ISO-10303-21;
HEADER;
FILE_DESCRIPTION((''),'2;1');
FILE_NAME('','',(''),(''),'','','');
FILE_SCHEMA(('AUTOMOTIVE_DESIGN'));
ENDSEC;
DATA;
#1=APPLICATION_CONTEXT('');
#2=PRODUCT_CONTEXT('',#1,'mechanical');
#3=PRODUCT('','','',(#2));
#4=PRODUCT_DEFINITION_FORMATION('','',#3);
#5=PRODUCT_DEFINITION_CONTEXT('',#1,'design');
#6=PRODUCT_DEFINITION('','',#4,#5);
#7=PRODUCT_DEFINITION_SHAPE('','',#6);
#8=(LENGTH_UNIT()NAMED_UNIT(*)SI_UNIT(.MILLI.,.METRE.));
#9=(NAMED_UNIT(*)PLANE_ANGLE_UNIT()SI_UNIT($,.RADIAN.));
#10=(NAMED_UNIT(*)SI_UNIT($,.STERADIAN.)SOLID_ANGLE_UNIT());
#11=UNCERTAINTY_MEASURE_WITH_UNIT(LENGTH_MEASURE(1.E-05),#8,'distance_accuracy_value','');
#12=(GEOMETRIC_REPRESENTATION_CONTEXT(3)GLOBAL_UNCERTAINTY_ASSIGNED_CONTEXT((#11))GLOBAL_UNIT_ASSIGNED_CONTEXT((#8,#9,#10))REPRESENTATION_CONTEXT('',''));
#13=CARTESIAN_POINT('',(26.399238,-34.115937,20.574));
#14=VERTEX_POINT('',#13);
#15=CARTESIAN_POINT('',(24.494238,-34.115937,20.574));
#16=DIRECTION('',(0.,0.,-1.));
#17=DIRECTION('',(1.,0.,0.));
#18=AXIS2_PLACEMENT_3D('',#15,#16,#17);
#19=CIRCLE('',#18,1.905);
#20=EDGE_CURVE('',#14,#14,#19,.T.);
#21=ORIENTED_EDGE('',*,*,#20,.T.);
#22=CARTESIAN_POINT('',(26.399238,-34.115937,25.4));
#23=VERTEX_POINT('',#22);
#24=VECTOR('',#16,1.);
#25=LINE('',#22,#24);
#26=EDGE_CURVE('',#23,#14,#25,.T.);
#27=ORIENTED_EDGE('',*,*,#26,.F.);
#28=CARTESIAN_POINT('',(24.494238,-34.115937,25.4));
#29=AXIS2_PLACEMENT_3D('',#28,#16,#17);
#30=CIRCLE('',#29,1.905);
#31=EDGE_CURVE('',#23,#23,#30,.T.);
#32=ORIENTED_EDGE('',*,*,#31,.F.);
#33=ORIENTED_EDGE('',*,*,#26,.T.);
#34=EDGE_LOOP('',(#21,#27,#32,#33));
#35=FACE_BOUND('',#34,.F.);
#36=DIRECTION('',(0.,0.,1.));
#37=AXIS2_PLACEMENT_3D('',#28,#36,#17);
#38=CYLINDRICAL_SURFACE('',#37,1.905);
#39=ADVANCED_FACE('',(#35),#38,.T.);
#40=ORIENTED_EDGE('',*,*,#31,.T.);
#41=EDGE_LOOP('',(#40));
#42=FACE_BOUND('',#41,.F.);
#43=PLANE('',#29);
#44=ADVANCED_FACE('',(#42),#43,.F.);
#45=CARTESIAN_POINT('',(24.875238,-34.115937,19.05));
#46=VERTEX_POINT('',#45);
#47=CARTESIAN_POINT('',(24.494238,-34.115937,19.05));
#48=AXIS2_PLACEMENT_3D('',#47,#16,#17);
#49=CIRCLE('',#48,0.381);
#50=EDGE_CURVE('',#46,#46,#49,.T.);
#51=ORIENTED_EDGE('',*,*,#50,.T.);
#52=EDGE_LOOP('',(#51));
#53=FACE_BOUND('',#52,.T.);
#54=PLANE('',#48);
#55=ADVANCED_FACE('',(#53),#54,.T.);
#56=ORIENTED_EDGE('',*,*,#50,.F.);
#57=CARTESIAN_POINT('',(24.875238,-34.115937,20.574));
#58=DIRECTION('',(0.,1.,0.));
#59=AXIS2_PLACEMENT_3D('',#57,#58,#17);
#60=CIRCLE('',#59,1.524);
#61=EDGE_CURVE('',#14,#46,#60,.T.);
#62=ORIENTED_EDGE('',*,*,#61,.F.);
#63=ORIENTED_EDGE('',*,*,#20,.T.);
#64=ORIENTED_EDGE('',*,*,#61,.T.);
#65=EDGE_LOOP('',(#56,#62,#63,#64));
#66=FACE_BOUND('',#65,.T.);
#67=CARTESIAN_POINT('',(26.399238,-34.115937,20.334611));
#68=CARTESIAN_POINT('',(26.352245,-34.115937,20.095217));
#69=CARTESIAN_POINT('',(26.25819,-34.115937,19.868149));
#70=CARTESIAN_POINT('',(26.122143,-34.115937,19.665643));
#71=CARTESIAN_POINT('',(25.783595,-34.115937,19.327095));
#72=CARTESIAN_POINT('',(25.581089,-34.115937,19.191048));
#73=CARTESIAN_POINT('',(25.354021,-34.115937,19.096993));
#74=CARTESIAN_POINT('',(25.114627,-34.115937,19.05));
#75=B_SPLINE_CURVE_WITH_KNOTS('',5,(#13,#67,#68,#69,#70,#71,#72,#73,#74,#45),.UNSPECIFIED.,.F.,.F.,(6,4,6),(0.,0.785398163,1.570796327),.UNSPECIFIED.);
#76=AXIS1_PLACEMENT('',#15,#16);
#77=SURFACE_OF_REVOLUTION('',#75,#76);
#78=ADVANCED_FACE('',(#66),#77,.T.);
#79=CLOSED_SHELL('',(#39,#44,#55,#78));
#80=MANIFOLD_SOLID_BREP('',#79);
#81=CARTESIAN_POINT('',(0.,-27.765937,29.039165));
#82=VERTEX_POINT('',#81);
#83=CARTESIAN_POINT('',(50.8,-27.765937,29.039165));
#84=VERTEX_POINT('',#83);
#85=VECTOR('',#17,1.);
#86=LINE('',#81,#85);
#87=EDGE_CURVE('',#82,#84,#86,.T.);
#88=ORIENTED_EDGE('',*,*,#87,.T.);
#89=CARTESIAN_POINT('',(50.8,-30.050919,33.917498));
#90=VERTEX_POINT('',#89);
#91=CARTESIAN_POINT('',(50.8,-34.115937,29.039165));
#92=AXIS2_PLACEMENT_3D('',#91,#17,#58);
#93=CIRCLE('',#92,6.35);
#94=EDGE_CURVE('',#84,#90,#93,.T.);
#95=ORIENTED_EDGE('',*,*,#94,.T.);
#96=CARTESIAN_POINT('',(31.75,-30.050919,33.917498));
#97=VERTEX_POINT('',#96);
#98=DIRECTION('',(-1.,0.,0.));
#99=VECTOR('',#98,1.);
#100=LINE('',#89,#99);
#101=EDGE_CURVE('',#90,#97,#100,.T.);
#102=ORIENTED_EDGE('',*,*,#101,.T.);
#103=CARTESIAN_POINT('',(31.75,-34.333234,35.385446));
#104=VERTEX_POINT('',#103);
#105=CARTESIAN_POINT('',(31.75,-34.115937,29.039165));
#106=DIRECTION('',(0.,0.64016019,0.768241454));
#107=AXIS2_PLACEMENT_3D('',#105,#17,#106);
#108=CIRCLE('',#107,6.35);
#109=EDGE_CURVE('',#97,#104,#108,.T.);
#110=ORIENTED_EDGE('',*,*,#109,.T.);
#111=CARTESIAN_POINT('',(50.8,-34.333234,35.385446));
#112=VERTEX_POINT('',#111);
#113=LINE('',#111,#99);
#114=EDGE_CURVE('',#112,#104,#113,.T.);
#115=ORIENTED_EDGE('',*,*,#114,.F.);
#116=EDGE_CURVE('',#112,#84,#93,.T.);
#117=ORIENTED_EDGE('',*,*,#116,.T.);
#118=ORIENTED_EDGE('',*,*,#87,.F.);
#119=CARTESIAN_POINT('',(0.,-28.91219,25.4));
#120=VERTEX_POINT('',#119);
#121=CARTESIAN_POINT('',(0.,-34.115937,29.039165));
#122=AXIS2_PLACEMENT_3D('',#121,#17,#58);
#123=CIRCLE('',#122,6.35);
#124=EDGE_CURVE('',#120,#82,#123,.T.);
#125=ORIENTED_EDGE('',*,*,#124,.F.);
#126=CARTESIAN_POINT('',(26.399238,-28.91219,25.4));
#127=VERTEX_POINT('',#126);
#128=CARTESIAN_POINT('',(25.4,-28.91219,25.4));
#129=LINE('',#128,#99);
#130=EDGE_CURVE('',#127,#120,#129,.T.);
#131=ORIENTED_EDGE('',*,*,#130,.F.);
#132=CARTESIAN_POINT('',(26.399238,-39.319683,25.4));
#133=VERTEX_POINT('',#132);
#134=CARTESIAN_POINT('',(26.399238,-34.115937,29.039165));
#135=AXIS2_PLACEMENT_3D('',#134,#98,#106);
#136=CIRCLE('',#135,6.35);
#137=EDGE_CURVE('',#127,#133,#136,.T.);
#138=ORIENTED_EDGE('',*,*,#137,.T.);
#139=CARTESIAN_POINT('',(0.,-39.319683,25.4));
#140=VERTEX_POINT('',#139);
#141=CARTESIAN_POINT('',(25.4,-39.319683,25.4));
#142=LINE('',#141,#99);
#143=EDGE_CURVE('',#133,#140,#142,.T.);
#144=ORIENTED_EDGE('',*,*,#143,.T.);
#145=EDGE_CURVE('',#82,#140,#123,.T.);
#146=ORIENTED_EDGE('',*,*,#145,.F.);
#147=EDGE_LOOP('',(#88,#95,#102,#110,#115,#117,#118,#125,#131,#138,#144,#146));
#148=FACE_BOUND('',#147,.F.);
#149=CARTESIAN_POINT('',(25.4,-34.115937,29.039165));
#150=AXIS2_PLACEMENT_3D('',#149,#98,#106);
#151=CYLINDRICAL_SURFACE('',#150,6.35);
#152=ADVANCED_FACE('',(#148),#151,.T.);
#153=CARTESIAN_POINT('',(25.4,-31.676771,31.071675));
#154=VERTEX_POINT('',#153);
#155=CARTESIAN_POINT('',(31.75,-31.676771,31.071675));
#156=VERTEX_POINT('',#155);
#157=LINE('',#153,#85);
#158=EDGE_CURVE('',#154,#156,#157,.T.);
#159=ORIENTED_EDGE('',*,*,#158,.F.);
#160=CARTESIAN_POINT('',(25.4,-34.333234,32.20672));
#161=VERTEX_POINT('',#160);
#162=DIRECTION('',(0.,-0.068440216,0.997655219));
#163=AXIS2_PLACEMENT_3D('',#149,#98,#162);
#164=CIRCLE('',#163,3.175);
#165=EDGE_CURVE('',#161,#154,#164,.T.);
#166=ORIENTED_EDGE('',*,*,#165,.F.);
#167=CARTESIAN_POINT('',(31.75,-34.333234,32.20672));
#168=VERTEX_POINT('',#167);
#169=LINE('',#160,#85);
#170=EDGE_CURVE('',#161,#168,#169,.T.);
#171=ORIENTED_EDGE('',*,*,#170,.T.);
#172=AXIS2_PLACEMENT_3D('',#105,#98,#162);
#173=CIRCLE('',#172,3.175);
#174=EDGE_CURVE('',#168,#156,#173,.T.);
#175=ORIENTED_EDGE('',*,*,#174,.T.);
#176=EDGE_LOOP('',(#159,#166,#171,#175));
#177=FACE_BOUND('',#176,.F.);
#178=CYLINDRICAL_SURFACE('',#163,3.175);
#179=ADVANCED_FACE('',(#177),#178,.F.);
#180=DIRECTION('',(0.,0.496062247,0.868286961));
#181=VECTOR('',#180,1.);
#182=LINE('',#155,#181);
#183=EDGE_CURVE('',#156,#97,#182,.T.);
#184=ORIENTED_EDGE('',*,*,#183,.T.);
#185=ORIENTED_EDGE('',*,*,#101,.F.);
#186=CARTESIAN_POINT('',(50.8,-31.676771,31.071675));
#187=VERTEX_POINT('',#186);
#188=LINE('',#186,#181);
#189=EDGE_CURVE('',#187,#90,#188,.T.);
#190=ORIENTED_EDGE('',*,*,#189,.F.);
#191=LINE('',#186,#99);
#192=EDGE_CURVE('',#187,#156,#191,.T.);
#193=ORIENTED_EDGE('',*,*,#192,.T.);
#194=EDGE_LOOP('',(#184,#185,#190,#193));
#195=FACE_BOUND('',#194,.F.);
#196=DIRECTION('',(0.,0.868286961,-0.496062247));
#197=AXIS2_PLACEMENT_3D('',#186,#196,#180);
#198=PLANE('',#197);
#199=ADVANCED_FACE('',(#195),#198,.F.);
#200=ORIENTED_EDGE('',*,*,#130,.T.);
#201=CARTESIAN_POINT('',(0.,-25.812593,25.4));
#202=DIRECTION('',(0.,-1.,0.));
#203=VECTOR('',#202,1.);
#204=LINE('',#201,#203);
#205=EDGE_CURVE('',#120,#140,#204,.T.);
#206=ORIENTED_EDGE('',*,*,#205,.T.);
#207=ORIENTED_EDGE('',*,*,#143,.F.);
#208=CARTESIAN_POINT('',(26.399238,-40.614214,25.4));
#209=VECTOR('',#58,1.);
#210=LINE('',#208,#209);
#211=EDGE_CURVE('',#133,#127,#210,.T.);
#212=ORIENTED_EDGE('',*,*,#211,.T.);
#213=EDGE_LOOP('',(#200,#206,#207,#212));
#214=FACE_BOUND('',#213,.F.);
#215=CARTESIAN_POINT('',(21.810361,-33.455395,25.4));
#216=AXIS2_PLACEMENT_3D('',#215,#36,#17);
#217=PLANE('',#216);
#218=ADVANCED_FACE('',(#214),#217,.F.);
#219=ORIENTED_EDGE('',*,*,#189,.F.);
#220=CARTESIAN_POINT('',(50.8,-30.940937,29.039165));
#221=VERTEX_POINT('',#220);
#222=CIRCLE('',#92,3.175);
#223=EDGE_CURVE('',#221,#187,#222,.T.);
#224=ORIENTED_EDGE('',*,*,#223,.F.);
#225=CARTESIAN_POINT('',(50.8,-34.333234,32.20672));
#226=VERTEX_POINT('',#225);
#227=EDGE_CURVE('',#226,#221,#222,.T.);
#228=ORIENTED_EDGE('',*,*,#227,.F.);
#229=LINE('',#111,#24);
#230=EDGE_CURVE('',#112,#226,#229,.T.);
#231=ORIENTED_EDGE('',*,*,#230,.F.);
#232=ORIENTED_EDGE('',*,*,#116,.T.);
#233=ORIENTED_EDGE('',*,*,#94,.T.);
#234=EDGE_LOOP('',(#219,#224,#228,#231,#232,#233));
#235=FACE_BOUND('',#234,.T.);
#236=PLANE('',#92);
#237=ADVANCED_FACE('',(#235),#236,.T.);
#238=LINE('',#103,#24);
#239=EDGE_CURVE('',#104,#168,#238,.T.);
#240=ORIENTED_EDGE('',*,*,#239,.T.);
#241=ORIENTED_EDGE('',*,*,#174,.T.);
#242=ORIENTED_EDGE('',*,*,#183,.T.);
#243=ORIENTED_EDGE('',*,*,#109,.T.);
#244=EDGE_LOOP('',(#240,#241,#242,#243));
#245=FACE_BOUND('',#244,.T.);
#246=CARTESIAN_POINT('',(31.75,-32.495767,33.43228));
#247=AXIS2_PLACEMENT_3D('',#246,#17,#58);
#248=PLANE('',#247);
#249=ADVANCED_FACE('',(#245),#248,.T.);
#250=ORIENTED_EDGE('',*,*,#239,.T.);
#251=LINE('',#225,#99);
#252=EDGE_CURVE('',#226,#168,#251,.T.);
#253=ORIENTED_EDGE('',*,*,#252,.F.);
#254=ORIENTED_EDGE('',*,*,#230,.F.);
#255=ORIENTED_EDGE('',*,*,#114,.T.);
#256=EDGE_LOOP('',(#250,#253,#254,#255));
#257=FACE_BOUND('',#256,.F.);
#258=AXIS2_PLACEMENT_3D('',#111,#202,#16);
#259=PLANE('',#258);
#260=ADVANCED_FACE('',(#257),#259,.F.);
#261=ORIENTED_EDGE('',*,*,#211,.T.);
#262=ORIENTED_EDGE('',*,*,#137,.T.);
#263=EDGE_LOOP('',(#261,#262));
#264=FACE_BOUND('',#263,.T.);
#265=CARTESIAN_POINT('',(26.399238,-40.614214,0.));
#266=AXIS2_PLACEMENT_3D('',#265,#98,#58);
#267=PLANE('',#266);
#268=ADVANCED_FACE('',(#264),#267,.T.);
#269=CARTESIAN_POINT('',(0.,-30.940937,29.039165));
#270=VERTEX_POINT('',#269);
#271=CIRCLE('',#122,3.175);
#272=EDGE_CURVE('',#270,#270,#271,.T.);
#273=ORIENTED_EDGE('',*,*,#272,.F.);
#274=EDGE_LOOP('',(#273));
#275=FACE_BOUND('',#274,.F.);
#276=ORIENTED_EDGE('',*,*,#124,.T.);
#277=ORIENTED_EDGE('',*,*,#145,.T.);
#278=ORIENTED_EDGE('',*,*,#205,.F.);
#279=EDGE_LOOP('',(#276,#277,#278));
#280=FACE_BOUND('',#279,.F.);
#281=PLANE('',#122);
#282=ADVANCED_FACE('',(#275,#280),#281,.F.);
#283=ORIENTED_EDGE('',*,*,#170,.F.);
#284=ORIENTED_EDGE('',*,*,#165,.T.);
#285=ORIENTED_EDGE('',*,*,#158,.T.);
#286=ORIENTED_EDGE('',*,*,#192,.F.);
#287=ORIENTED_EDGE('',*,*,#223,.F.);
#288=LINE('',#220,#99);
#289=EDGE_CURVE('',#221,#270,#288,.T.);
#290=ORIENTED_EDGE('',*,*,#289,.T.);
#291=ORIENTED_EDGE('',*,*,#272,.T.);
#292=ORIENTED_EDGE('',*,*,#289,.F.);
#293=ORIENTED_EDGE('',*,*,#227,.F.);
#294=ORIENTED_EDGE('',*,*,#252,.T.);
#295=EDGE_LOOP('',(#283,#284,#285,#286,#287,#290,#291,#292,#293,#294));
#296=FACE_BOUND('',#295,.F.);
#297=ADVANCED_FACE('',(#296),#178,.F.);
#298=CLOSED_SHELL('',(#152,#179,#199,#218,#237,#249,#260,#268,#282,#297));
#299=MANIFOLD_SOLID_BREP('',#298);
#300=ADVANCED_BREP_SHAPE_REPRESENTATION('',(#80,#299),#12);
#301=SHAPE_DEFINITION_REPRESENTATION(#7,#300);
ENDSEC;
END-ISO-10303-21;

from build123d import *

# Parameters (mm, degrees)
F0_R      = 6.35
F1_DEPTH  = 50.8
F2_R      = 3.175
F3_DEPTH  = 50.8
F5_DEPTH  = 25.4
F6_DEPTH  = 6.35
F8_DEPTH  = 25.4
F9_R      = 1.905
F10_DEPTH = 6.35
F11_R     = 1.524


with BuildPart() as f1:
    # F0 (on Right) → F1 (new body)
    with BuildSketch(Plane.YZ):
        with Locations((-34.1159366071, 29.0391650051)):
            Circle(F0_R)
    extrude(amount=F1_DEPTH)

    # F2 (on face) → F3 (cut)
    with BuildSketch(Plane.YZ.offset(50.8)):
        with Locations((-34.1159366071, 29.0391650051)):
            Circle(F2_R)
    extrude(amount=-F3_DEPTH, mode=Mode.SUBTRACT)

    # F4 (on face) → F5 (cut)
    with BuildSketch(Plane.YZ.offset(50.8)):
        with BuildLine():
            Line((-34.3332342946, 35.3854459408), (-34.3332342946, 32.2067203266))
            ThreePointArc((-34.3332342946, 32.2067203266), (-32.8684364804, 31.9588171134), (-31.6767708735, 31.0716746666))
            Line((-31.6767708735, 31.0716746666), (-30.0509194022, 33.9174982372))
            ThreePointArc((-30.0509194022, 33.9174982372), (-32.0568217521, 35.0460399009), (-34.3332342946, 35.3854459408))
        make_face()
    extrude(amount=-F5_DEPTH, mode=Mode.SUBTRACT)

    # F6 (add): a face of the model
    f6_faces = [f1.faces().sort_by_distance(p)[0] for p in [
        (25.4, -32.4787047197, 33.4953797207),
    ]]
    extrude(f6_faces, amount=F6_DEPTH)

    # F7 (on Top) → F8 (cut)
    with BuildSketch(Plane.XY):
        Polygon((26.3992380351, -40.6142137945), (26.3992380351, -26.3992380351), (17.2610413283, -26.1961687356), (17.2610413283, -40.6142137945), align=None)
        Polygon((17.2610413283, -40.6142137945), (17.2610413283, -26.1961687356), (0, -25.8125933232), (0, -40.6142137945), (3.2189439517, -40.6142137945), align=None)
    extrude(amount=F8_DEPTH, mode=Mode.SUBTRACT)


with BuildPart() as f10:
    # F9 (on face) → F10 (new body)
    with BuildSketch(Plane(origin=(0, 0, 25.4), x_dir=(1, 0, 0), z_dir=(0, 0, -1))):
        with Locations((24.4942380351, 34.1159366071)):
            Circle(F9_R)
    extrude(amount=F10_DEPTH)

    # F11
    f11_edges = [f10.edges().sort_by_distance(p)[0] for p in [
        (22.589238, -34.115937, 19.05),
    ]]
    fillet(f11_edges, radius=F11_R)


solid = Compound([f1.part, f10.part])
